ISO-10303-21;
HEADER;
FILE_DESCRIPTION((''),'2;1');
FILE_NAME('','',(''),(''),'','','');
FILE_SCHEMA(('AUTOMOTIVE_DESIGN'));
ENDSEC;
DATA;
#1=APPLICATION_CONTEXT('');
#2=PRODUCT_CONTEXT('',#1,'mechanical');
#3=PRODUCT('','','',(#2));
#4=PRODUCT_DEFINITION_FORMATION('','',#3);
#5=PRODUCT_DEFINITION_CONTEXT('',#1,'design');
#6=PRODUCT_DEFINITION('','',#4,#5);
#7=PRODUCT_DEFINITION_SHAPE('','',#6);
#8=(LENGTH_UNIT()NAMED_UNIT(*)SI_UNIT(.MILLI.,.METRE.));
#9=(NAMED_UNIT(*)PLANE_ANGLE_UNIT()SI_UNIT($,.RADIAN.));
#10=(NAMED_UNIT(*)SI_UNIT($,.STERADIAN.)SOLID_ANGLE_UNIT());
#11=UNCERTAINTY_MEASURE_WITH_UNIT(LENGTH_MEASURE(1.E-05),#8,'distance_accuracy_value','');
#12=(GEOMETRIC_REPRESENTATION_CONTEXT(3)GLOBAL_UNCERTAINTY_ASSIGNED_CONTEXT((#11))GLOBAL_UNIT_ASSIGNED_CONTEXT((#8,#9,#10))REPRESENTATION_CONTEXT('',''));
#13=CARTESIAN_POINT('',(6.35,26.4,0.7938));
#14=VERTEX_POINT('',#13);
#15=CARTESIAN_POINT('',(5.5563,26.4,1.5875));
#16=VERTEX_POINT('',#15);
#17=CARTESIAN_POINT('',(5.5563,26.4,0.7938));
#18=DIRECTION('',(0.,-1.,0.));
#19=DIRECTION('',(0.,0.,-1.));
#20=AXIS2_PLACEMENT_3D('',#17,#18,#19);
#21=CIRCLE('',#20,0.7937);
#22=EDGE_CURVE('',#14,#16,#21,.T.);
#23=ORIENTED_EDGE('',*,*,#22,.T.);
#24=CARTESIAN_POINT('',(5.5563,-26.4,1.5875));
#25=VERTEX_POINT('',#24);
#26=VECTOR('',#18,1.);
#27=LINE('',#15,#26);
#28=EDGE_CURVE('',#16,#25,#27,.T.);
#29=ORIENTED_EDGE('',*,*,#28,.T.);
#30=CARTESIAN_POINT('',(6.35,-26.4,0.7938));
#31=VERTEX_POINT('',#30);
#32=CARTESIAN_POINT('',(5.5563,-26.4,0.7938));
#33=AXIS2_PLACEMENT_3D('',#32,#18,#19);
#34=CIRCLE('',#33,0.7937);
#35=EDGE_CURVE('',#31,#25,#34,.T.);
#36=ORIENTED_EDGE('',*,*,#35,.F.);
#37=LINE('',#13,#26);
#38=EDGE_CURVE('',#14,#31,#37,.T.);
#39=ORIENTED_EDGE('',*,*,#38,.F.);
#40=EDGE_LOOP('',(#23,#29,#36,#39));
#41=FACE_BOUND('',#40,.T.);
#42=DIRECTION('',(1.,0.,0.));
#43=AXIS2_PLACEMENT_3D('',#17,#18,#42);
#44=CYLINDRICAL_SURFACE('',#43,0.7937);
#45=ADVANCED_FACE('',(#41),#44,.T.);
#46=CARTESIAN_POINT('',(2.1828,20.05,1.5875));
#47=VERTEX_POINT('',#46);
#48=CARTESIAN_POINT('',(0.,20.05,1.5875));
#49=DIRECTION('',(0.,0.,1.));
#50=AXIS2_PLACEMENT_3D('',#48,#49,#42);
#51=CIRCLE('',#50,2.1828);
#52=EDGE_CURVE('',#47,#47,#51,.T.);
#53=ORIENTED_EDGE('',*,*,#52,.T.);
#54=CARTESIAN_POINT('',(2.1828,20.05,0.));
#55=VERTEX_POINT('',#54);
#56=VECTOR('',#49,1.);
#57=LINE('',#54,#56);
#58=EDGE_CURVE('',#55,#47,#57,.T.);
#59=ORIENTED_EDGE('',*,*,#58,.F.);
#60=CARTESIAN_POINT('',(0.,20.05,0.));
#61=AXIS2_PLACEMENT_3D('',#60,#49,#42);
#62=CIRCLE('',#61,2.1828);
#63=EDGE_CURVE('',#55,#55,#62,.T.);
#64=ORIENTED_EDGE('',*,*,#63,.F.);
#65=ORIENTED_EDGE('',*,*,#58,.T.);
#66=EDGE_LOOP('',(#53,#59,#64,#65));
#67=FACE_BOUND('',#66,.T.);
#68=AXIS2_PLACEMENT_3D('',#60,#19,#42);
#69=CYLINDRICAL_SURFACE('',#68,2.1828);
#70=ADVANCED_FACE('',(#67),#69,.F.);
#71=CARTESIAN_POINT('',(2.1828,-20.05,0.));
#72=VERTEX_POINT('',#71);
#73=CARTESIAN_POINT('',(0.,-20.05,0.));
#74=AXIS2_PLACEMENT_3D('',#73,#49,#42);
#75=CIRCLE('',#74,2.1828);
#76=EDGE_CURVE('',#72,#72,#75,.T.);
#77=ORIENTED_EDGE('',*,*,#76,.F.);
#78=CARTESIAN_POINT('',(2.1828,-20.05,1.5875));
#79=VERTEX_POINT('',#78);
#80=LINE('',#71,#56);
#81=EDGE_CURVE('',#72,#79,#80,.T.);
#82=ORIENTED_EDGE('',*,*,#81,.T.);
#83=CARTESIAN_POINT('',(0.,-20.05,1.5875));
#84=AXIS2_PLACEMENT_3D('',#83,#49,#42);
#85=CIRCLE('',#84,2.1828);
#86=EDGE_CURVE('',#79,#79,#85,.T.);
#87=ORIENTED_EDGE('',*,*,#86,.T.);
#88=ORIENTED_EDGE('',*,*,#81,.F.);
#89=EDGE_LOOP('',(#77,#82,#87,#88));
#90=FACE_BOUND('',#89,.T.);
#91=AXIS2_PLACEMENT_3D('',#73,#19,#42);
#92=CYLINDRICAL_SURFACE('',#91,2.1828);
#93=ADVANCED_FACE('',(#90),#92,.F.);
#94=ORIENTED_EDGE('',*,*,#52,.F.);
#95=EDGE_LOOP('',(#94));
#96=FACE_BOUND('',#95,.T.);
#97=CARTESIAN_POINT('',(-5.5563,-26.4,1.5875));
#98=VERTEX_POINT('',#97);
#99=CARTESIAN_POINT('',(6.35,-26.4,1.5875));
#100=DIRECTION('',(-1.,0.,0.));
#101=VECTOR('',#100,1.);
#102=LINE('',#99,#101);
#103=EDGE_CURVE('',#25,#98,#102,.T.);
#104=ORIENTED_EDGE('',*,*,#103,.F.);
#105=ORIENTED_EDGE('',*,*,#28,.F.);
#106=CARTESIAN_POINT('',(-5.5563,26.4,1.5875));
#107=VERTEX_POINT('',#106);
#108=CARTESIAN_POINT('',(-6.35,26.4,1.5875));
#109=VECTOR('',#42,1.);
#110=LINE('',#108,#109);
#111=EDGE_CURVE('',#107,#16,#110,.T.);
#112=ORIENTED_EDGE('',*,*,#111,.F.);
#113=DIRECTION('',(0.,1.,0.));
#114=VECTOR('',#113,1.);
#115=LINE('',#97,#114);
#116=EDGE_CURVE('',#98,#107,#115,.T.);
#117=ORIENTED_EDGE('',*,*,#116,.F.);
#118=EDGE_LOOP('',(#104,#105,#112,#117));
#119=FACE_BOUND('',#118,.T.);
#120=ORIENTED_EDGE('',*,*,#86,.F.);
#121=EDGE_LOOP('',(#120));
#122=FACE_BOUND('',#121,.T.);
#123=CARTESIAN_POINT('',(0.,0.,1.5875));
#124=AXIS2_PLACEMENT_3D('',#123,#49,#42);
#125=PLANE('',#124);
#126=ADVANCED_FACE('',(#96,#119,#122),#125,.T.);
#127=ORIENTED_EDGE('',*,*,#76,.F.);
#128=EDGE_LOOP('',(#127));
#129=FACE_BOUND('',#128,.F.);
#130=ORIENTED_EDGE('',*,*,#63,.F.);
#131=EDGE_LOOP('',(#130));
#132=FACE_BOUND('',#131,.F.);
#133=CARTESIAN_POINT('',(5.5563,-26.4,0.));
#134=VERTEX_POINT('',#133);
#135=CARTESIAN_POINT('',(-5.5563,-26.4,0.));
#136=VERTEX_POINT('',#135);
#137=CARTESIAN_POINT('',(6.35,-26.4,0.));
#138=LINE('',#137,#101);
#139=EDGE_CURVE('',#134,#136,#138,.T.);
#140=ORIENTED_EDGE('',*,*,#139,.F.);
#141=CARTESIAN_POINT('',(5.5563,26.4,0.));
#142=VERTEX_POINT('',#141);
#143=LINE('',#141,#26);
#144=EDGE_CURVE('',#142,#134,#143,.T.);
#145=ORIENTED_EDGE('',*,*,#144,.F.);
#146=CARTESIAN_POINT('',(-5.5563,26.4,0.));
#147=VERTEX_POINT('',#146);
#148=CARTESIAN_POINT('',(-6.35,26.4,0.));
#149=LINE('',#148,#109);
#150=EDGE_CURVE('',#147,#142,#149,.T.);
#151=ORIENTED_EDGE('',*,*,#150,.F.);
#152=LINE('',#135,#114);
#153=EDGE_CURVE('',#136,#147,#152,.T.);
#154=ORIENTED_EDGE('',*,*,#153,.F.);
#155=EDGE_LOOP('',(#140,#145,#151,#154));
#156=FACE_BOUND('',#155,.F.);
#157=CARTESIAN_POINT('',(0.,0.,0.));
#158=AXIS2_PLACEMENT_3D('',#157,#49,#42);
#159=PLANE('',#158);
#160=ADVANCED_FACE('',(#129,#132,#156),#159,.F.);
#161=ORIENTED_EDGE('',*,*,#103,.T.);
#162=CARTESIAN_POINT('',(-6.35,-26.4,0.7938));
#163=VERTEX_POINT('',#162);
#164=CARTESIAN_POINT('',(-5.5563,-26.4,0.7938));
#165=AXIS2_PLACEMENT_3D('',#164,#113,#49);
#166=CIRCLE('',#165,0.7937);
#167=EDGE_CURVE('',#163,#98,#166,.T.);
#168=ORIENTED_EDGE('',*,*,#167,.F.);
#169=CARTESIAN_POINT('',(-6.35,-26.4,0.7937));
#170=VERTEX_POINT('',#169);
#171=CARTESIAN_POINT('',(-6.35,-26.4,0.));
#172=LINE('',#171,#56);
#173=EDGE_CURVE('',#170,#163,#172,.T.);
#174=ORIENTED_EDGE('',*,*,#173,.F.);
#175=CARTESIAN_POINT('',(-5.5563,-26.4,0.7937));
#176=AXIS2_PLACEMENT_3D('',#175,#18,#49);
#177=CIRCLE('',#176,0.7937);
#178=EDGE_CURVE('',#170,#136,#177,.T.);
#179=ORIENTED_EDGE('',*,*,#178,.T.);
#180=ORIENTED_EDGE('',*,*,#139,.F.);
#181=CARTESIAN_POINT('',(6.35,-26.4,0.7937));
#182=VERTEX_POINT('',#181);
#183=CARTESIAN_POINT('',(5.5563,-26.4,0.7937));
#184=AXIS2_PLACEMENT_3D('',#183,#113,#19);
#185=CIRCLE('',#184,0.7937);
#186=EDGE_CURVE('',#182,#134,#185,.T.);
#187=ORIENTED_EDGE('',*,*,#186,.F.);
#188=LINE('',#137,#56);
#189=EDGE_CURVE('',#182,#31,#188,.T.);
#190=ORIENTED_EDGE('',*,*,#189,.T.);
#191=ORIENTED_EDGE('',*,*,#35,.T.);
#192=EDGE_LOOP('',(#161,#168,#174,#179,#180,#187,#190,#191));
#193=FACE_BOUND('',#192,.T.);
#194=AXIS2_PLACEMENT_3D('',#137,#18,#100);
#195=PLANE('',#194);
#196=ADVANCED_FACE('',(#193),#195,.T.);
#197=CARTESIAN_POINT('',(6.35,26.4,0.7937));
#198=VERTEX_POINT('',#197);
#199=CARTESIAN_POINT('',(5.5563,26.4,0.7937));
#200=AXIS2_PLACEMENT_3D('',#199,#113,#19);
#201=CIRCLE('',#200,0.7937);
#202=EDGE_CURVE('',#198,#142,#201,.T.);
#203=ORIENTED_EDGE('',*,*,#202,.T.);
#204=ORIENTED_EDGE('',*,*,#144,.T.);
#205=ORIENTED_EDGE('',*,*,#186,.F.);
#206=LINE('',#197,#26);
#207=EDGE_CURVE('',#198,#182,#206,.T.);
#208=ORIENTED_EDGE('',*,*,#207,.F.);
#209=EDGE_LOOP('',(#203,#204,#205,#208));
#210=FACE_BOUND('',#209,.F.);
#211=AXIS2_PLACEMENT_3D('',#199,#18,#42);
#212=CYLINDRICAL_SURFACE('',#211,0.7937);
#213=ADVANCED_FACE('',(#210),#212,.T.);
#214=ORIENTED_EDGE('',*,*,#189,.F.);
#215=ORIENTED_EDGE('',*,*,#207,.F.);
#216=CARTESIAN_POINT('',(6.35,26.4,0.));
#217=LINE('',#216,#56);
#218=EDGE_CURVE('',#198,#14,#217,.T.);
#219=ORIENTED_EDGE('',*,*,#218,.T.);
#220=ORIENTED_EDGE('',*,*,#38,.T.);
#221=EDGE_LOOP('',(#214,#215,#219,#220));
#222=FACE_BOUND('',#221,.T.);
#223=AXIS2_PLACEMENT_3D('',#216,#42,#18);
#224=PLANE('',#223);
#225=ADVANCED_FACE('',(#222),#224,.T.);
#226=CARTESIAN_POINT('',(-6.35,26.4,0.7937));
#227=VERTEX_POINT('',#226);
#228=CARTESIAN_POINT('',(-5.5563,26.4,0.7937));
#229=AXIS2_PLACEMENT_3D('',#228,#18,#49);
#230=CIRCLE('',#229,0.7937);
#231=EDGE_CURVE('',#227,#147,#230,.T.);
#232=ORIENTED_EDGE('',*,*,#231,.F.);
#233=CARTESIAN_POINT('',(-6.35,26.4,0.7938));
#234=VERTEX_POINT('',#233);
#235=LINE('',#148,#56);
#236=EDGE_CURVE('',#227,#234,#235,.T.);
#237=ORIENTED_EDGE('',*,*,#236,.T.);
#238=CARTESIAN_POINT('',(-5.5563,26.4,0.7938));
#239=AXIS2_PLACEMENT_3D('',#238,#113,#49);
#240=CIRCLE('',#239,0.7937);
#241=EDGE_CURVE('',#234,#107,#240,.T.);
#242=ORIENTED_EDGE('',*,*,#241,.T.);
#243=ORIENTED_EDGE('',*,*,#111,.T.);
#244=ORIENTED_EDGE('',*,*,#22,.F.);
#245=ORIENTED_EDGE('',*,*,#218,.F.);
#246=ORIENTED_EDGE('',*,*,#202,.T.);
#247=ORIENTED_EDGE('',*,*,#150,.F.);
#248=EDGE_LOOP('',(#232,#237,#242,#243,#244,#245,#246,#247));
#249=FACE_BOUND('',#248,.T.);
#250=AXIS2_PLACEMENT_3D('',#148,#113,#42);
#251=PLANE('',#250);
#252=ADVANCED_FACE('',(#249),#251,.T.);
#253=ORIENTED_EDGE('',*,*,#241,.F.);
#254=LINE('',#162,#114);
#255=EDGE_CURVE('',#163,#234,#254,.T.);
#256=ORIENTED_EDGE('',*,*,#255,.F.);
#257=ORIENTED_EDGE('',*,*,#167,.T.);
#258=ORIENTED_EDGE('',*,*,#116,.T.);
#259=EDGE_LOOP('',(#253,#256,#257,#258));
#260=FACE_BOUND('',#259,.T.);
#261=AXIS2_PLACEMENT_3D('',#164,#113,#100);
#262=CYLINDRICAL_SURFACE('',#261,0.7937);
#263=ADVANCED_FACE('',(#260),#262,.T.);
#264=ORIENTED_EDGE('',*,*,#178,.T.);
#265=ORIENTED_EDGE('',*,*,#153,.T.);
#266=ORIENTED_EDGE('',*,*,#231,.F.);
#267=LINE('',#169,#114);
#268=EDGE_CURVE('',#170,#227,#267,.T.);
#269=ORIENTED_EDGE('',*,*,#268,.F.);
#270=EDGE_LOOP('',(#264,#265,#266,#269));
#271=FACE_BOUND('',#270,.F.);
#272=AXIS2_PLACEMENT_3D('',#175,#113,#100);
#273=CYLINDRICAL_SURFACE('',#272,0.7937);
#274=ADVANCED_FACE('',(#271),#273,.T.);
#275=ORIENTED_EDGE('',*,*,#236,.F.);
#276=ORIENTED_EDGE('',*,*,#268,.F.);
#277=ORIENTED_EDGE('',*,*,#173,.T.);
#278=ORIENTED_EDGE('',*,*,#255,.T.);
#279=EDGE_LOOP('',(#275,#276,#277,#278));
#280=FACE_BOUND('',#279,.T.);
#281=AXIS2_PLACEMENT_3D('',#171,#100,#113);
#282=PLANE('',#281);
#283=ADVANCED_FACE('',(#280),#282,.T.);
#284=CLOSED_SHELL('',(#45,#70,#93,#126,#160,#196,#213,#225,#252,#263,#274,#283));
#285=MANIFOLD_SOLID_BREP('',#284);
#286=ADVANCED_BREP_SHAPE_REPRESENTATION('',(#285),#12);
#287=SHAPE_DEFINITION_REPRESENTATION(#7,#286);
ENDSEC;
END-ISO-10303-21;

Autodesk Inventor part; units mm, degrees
ref_plane "YZ Plane" through (0, 0, 0) normal (1, 0, 0) x (0, 1, 0)
ref_plane "XZ Plane" through (0, 0, 0) normal (0, 1, 0) x (-1, 0, 0)
ref_plane "XY Plane" through (0, 0, 0) normal (0, 0, 1) x (1, 0, 0)
sketch "Sketch1" plane through (0, 0, 0) normal (0, 0, 1) x (1, 0, 0)
  circle A0 centre (0, 20.05) radius 2.1828
  circle A1 centre (0, -20.05) radius 2.1828
  line L0 (6.35, -26.4) -> (-6.35, -26.4)
  line L1 (-6.35, -26.4) -> (-6.35, 26.4)
  line L2 (-6.35, 26.4) -> (6.35, 26.4)
  line L3 (6.35, 26.4) -> (6.35, -26.4)
  line L4 (6.35, -26.4) -> (-6.35, 26.4) construction
  line L5 (-6.35, -26.4) -> (6.35, 26.4) construction
  point P0 (0, 0)
  dimension "d0" = 4.3656
  dimension "d1" = 4.3656
  dimension "d2" = 20.05
  dimension "d3" = 40.1
  dimension "d4" = 20.05
  dimension "d5" = 12.7
  dimension "d6" = 6.35
  dimension "d7" = 6.35
extrude "Extrusion1" add sketch "Sketch1" along normal blind 1.5875
fillet "Fillet1" radius 0.7937 4 edges at (-6.35, 0, 0) (-6.35, 0, 1.5875) (6.35, 0, 0) (6.35, 0, 1.5875)
properties part number "Part D"
